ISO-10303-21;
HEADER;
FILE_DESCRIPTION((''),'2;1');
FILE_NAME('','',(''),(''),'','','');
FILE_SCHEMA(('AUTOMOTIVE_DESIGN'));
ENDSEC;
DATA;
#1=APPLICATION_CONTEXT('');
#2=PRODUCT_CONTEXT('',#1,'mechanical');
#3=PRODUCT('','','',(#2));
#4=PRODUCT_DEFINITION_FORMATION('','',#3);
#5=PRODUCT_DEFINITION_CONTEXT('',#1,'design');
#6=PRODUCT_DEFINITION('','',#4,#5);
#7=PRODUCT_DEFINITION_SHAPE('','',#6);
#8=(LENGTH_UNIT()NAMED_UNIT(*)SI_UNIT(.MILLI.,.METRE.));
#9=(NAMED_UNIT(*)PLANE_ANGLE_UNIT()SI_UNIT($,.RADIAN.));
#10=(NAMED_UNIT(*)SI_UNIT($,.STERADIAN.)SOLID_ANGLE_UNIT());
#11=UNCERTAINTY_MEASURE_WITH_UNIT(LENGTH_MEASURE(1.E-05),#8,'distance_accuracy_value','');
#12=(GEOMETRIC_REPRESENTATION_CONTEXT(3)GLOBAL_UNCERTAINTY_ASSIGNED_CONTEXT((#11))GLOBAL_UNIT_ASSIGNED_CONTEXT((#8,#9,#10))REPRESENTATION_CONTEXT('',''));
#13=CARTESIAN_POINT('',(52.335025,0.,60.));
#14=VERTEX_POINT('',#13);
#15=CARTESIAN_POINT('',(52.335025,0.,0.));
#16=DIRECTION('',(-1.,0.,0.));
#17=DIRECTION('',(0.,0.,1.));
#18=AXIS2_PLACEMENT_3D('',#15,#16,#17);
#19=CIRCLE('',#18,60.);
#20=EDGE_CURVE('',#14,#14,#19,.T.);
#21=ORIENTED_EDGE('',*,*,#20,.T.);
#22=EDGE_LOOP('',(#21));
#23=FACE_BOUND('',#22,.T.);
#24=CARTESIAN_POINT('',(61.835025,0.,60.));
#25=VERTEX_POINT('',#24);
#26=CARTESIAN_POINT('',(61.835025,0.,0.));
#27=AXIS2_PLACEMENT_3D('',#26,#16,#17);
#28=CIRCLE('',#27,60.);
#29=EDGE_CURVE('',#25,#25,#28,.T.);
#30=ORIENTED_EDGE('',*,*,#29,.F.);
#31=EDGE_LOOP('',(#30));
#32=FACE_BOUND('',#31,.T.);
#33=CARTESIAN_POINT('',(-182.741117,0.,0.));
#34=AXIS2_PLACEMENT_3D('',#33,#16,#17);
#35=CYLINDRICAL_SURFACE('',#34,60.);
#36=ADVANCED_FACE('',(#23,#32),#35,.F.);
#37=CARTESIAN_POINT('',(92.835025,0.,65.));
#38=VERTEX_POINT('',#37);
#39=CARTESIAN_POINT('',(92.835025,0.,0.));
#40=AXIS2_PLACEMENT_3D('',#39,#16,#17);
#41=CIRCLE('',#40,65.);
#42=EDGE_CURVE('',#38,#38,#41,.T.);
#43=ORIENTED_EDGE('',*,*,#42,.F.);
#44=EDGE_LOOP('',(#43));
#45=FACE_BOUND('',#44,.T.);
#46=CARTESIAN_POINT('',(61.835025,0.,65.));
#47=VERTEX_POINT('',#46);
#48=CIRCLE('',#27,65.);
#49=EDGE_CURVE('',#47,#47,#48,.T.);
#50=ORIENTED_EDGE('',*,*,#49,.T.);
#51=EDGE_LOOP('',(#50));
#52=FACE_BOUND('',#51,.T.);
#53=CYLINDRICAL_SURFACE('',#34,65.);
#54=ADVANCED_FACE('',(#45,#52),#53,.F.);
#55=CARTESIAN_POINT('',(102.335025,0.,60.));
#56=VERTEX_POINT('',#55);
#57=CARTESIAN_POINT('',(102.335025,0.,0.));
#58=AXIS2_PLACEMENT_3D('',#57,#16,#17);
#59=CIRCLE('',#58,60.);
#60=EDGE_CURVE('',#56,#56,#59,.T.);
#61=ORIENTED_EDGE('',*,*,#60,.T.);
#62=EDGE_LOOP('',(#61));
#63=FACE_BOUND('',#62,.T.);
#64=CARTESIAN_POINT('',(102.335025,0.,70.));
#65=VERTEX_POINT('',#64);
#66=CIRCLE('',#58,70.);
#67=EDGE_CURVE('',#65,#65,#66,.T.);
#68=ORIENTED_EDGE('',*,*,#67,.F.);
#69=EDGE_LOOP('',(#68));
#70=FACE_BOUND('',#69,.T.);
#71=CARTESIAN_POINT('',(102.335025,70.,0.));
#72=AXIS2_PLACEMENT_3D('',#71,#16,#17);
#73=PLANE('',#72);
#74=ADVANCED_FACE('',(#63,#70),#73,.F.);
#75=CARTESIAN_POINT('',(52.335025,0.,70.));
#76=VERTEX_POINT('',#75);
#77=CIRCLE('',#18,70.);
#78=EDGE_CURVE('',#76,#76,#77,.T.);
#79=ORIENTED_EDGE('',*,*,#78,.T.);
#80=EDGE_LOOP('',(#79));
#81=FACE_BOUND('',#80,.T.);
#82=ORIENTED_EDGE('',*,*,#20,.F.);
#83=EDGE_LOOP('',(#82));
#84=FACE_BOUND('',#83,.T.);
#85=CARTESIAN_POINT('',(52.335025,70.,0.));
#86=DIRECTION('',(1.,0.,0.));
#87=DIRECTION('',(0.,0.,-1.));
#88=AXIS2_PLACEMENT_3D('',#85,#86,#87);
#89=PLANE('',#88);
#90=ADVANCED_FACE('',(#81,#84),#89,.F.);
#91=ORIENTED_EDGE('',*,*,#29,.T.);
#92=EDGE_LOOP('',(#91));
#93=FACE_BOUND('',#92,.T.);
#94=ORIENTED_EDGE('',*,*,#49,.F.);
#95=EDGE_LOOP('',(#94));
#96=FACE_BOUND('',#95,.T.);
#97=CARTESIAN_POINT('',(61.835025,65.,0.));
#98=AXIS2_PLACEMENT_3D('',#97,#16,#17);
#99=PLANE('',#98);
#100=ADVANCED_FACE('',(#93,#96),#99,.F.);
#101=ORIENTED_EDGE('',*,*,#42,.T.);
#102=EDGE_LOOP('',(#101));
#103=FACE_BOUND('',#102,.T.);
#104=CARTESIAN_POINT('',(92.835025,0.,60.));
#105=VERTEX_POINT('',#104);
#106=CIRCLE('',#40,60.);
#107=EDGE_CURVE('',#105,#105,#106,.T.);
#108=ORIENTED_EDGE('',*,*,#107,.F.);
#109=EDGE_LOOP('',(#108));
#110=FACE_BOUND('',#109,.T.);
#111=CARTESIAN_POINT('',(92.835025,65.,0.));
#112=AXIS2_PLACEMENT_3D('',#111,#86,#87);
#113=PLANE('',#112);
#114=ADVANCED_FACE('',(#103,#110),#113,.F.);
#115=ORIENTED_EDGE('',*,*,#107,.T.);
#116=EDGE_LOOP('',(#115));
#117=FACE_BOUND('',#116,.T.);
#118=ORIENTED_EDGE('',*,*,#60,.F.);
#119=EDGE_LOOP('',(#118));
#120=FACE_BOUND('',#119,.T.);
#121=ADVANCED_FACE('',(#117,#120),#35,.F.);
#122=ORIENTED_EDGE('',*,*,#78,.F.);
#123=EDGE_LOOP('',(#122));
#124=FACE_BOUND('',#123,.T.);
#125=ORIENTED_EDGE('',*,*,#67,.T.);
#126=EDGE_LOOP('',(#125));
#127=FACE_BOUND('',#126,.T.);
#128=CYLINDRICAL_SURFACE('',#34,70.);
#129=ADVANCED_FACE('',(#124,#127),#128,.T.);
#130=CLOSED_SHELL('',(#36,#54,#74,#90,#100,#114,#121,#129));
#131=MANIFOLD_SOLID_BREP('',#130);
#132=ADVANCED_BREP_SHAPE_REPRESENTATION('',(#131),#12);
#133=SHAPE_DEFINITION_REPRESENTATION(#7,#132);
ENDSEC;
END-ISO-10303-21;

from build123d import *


with BuildPart() as part:
    # Sketch1 → Revolve1 (revolve)
    with BuildSketch(Plane.XY, mode=Mode.PRIVATE) as revolve1_sk:
        Polygon((92.835025381, 60), (102.335025381, 60), (102.335025381, 70), (52.335025381, 70), (52.335025381, 60), (61.835025381, 60), (61.835025381, 65), (92.835025381, 65), align=None)
    revolve(revolve1_sk.sketch.rotate(Axis((-182.741116751, 0, 0), (1, 0, 0)), 90), axis=Axis((-182.741116751, 0, 0), (1, 0, 0)))


solid = part.part
